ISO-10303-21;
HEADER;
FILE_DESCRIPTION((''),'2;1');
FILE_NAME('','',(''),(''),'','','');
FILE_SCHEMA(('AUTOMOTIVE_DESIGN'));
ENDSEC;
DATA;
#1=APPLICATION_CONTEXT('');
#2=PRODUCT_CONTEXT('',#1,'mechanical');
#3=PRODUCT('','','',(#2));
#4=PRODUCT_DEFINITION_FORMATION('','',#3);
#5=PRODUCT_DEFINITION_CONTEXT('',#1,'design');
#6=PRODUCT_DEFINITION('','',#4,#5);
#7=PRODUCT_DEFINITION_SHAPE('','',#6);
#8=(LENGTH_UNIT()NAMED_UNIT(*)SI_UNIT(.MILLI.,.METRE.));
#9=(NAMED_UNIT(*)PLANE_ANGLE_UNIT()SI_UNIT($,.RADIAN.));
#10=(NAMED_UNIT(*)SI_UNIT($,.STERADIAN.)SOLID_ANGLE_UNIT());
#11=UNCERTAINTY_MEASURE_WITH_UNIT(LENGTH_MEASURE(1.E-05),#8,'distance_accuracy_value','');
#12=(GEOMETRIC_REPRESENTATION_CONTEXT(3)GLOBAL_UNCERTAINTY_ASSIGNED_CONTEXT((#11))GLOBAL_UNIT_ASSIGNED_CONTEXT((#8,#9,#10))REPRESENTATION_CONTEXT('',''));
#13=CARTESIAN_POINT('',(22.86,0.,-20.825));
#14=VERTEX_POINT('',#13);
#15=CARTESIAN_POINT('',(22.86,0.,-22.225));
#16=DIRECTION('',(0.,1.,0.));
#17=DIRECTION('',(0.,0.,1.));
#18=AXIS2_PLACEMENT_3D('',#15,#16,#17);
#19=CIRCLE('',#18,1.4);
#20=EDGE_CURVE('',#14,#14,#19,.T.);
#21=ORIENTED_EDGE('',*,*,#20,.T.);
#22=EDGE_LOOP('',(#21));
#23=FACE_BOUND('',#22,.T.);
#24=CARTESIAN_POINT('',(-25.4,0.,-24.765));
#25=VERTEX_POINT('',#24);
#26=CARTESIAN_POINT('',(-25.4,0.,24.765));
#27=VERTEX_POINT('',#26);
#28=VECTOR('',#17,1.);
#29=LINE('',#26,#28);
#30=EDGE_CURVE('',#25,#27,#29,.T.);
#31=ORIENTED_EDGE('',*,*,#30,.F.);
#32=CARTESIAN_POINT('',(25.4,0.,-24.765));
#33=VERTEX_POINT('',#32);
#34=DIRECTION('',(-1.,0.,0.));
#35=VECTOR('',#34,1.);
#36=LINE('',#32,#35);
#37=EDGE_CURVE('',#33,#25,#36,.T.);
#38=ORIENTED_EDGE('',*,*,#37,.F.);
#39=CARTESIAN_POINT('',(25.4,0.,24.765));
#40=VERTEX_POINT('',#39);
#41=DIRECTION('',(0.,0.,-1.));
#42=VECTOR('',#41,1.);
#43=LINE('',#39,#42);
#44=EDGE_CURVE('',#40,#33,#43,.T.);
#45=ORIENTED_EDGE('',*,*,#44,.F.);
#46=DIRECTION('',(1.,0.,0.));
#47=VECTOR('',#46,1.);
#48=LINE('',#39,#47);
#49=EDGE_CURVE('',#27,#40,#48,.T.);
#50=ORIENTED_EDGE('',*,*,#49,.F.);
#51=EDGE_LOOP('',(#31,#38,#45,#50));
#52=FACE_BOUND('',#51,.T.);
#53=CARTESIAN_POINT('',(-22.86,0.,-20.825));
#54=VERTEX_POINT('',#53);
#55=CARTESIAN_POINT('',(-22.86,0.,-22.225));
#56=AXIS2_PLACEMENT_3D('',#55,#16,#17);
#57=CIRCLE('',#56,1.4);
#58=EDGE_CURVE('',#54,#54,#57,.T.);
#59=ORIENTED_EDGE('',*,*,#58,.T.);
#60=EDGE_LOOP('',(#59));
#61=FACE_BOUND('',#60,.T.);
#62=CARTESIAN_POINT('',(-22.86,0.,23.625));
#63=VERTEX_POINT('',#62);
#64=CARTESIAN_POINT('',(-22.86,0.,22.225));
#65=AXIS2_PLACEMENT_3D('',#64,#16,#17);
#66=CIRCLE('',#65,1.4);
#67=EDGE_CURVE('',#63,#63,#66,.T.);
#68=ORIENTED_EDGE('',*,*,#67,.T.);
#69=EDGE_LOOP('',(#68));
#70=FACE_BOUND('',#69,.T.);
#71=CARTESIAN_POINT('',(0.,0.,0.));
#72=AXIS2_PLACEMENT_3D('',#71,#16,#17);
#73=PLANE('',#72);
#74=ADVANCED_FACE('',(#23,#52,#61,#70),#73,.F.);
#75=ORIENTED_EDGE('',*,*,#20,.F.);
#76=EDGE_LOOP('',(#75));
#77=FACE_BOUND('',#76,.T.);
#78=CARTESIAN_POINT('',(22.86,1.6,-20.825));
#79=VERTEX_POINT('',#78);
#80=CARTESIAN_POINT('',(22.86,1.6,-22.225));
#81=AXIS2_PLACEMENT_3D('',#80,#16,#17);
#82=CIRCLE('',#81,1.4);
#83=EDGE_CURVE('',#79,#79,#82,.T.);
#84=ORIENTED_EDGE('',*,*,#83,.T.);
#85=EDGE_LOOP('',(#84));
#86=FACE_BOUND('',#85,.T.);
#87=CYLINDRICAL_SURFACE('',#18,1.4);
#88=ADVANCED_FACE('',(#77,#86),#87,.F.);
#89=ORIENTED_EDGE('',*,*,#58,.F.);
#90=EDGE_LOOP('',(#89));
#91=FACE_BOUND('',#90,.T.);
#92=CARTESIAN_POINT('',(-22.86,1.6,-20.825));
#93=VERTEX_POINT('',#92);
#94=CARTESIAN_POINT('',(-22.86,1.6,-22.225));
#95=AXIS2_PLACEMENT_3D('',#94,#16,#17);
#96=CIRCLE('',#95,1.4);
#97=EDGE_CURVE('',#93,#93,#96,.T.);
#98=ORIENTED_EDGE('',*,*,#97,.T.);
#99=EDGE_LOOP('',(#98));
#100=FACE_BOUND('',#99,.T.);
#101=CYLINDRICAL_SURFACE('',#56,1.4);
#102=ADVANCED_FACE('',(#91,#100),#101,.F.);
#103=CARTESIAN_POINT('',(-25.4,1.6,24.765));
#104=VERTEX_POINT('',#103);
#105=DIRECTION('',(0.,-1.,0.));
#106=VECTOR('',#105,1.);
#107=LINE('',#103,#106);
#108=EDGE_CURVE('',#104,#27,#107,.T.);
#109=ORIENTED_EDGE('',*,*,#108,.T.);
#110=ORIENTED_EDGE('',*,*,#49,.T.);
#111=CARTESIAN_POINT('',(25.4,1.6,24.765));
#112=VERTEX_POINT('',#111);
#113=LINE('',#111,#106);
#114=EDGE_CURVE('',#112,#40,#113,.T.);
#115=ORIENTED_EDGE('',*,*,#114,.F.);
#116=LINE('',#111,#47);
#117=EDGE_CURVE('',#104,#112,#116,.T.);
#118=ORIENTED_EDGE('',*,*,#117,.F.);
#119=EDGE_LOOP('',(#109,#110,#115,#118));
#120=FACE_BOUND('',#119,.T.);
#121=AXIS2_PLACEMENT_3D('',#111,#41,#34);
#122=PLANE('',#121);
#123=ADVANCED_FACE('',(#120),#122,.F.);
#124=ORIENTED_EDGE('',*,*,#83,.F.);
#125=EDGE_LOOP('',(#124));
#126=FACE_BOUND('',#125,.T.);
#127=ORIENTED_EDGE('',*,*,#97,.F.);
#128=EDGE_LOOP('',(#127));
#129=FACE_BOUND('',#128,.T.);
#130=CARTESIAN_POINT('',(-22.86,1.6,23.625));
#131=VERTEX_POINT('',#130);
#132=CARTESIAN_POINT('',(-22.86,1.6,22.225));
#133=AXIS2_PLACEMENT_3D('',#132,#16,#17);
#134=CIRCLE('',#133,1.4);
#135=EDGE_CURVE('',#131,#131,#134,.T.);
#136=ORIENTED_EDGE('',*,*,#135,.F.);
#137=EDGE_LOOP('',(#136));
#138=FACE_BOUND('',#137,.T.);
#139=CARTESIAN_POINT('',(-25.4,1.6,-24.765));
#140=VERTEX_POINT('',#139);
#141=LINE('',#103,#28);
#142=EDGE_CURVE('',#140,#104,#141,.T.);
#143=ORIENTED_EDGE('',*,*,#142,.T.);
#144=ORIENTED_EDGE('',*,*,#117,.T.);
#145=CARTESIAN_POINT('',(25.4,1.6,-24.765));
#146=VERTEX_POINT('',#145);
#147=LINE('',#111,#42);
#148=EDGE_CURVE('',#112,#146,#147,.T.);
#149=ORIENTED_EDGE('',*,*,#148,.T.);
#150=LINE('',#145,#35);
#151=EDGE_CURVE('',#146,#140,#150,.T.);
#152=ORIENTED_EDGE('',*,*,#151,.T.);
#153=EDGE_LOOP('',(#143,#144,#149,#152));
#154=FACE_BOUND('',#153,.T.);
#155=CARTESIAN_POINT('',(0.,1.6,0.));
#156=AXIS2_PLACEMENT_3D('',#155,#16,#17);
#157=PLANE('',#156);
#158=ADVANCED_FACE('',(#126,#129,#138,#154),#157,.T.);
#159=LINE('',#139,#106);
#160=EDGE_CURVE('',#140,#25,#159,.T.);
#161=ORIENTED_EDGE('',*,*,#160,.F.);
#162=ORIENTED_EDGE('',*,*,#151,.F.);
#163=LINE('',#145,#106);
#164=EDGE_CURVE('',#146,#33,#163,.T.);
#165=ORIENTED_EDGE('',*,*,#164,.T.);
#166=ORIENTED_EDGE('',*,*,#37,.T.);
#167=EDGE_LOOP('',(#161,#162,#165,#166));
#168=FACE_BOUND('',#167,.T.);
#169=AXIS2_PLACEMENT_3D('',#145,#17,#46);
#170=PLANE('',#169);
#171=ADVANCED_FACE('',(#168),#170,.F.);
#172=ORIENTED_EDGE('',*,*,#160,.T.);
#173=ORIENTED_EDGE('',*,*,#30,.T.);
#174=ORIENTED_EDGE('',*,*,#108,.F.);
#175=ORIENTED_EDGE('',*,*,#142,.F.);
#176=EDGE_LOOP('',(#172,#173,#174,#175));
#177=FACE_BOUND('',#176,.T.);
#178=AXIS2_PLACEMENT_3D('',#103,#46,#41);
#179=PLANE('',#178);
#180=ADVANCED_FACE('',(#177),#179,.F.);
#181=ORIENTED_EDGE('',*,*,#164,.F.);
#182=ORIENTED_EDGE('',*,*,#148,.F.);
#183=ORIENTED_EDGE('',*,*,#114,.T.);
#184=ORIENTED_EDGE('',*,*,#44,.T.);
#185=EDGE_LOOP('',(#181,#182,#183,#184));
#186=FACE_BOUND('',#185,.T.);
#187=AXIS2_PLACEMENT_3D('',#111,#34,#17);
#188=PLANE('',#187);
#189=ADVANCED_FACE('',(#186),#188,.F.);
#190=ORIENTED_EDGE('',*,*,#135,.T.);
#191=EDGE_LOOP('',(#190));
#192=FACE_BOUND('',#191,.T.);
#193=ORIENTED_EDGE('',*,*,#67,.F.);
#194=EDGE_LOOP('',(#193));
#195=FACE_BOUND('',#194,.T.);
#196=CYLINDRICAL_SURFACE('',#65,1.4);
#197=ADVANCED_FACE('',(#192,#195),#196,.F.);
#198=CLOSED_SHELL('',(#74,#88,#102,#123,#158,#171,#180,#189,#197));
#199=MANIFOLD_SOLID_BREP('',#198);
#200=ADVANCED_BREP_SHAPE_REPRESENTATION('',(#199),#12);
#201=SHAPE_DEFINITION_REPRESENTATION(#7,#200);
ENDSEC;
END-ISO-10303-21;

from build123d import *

# Parameters (mm, degrees)
SKETCH2_W           = 50.8
SKETCH2_H           = 49.53
BOSS_EXTRUDE1_DEPTH = 1.6
SKETCH3_R           = 1.4
CUT_EXTRUDE1_DEPTH  = 1.6


with BuildPart() as part:
    # Sketch2 → Boss-Extrude1 (new body)
    with BuildSketch(Plane(origin=(0, 0, 0), x_dir=(1, 0, 0), z_dir=(0, 1, 0))):
        Rectangle(SKETCH2_W, SKETCH2_H)
    extrude(amount=BOSS_EXTRUDE1_DEPTH)

    # Sketch3 → Cut-Extrude1 (cut)
    with BuildSketch(Plane(origin=(0, 1.6, 0), x_dir=(1, 0, 0), z_dir=(0, 1, 0))):
        with Locations((-22.86, 22.225)):
            Circle(SKETCH3_R)
        with Locations((22.86, 22.225)):
            Circle(SKETCH3_R)
        with Locations((-22.86, -22.225)):
            Circle(SKETCH3_R)
    extrude(amount=-CUT_EXTRUDE1_DEPTH, mode=Mode.SUBTRACT)


solid = part.part
